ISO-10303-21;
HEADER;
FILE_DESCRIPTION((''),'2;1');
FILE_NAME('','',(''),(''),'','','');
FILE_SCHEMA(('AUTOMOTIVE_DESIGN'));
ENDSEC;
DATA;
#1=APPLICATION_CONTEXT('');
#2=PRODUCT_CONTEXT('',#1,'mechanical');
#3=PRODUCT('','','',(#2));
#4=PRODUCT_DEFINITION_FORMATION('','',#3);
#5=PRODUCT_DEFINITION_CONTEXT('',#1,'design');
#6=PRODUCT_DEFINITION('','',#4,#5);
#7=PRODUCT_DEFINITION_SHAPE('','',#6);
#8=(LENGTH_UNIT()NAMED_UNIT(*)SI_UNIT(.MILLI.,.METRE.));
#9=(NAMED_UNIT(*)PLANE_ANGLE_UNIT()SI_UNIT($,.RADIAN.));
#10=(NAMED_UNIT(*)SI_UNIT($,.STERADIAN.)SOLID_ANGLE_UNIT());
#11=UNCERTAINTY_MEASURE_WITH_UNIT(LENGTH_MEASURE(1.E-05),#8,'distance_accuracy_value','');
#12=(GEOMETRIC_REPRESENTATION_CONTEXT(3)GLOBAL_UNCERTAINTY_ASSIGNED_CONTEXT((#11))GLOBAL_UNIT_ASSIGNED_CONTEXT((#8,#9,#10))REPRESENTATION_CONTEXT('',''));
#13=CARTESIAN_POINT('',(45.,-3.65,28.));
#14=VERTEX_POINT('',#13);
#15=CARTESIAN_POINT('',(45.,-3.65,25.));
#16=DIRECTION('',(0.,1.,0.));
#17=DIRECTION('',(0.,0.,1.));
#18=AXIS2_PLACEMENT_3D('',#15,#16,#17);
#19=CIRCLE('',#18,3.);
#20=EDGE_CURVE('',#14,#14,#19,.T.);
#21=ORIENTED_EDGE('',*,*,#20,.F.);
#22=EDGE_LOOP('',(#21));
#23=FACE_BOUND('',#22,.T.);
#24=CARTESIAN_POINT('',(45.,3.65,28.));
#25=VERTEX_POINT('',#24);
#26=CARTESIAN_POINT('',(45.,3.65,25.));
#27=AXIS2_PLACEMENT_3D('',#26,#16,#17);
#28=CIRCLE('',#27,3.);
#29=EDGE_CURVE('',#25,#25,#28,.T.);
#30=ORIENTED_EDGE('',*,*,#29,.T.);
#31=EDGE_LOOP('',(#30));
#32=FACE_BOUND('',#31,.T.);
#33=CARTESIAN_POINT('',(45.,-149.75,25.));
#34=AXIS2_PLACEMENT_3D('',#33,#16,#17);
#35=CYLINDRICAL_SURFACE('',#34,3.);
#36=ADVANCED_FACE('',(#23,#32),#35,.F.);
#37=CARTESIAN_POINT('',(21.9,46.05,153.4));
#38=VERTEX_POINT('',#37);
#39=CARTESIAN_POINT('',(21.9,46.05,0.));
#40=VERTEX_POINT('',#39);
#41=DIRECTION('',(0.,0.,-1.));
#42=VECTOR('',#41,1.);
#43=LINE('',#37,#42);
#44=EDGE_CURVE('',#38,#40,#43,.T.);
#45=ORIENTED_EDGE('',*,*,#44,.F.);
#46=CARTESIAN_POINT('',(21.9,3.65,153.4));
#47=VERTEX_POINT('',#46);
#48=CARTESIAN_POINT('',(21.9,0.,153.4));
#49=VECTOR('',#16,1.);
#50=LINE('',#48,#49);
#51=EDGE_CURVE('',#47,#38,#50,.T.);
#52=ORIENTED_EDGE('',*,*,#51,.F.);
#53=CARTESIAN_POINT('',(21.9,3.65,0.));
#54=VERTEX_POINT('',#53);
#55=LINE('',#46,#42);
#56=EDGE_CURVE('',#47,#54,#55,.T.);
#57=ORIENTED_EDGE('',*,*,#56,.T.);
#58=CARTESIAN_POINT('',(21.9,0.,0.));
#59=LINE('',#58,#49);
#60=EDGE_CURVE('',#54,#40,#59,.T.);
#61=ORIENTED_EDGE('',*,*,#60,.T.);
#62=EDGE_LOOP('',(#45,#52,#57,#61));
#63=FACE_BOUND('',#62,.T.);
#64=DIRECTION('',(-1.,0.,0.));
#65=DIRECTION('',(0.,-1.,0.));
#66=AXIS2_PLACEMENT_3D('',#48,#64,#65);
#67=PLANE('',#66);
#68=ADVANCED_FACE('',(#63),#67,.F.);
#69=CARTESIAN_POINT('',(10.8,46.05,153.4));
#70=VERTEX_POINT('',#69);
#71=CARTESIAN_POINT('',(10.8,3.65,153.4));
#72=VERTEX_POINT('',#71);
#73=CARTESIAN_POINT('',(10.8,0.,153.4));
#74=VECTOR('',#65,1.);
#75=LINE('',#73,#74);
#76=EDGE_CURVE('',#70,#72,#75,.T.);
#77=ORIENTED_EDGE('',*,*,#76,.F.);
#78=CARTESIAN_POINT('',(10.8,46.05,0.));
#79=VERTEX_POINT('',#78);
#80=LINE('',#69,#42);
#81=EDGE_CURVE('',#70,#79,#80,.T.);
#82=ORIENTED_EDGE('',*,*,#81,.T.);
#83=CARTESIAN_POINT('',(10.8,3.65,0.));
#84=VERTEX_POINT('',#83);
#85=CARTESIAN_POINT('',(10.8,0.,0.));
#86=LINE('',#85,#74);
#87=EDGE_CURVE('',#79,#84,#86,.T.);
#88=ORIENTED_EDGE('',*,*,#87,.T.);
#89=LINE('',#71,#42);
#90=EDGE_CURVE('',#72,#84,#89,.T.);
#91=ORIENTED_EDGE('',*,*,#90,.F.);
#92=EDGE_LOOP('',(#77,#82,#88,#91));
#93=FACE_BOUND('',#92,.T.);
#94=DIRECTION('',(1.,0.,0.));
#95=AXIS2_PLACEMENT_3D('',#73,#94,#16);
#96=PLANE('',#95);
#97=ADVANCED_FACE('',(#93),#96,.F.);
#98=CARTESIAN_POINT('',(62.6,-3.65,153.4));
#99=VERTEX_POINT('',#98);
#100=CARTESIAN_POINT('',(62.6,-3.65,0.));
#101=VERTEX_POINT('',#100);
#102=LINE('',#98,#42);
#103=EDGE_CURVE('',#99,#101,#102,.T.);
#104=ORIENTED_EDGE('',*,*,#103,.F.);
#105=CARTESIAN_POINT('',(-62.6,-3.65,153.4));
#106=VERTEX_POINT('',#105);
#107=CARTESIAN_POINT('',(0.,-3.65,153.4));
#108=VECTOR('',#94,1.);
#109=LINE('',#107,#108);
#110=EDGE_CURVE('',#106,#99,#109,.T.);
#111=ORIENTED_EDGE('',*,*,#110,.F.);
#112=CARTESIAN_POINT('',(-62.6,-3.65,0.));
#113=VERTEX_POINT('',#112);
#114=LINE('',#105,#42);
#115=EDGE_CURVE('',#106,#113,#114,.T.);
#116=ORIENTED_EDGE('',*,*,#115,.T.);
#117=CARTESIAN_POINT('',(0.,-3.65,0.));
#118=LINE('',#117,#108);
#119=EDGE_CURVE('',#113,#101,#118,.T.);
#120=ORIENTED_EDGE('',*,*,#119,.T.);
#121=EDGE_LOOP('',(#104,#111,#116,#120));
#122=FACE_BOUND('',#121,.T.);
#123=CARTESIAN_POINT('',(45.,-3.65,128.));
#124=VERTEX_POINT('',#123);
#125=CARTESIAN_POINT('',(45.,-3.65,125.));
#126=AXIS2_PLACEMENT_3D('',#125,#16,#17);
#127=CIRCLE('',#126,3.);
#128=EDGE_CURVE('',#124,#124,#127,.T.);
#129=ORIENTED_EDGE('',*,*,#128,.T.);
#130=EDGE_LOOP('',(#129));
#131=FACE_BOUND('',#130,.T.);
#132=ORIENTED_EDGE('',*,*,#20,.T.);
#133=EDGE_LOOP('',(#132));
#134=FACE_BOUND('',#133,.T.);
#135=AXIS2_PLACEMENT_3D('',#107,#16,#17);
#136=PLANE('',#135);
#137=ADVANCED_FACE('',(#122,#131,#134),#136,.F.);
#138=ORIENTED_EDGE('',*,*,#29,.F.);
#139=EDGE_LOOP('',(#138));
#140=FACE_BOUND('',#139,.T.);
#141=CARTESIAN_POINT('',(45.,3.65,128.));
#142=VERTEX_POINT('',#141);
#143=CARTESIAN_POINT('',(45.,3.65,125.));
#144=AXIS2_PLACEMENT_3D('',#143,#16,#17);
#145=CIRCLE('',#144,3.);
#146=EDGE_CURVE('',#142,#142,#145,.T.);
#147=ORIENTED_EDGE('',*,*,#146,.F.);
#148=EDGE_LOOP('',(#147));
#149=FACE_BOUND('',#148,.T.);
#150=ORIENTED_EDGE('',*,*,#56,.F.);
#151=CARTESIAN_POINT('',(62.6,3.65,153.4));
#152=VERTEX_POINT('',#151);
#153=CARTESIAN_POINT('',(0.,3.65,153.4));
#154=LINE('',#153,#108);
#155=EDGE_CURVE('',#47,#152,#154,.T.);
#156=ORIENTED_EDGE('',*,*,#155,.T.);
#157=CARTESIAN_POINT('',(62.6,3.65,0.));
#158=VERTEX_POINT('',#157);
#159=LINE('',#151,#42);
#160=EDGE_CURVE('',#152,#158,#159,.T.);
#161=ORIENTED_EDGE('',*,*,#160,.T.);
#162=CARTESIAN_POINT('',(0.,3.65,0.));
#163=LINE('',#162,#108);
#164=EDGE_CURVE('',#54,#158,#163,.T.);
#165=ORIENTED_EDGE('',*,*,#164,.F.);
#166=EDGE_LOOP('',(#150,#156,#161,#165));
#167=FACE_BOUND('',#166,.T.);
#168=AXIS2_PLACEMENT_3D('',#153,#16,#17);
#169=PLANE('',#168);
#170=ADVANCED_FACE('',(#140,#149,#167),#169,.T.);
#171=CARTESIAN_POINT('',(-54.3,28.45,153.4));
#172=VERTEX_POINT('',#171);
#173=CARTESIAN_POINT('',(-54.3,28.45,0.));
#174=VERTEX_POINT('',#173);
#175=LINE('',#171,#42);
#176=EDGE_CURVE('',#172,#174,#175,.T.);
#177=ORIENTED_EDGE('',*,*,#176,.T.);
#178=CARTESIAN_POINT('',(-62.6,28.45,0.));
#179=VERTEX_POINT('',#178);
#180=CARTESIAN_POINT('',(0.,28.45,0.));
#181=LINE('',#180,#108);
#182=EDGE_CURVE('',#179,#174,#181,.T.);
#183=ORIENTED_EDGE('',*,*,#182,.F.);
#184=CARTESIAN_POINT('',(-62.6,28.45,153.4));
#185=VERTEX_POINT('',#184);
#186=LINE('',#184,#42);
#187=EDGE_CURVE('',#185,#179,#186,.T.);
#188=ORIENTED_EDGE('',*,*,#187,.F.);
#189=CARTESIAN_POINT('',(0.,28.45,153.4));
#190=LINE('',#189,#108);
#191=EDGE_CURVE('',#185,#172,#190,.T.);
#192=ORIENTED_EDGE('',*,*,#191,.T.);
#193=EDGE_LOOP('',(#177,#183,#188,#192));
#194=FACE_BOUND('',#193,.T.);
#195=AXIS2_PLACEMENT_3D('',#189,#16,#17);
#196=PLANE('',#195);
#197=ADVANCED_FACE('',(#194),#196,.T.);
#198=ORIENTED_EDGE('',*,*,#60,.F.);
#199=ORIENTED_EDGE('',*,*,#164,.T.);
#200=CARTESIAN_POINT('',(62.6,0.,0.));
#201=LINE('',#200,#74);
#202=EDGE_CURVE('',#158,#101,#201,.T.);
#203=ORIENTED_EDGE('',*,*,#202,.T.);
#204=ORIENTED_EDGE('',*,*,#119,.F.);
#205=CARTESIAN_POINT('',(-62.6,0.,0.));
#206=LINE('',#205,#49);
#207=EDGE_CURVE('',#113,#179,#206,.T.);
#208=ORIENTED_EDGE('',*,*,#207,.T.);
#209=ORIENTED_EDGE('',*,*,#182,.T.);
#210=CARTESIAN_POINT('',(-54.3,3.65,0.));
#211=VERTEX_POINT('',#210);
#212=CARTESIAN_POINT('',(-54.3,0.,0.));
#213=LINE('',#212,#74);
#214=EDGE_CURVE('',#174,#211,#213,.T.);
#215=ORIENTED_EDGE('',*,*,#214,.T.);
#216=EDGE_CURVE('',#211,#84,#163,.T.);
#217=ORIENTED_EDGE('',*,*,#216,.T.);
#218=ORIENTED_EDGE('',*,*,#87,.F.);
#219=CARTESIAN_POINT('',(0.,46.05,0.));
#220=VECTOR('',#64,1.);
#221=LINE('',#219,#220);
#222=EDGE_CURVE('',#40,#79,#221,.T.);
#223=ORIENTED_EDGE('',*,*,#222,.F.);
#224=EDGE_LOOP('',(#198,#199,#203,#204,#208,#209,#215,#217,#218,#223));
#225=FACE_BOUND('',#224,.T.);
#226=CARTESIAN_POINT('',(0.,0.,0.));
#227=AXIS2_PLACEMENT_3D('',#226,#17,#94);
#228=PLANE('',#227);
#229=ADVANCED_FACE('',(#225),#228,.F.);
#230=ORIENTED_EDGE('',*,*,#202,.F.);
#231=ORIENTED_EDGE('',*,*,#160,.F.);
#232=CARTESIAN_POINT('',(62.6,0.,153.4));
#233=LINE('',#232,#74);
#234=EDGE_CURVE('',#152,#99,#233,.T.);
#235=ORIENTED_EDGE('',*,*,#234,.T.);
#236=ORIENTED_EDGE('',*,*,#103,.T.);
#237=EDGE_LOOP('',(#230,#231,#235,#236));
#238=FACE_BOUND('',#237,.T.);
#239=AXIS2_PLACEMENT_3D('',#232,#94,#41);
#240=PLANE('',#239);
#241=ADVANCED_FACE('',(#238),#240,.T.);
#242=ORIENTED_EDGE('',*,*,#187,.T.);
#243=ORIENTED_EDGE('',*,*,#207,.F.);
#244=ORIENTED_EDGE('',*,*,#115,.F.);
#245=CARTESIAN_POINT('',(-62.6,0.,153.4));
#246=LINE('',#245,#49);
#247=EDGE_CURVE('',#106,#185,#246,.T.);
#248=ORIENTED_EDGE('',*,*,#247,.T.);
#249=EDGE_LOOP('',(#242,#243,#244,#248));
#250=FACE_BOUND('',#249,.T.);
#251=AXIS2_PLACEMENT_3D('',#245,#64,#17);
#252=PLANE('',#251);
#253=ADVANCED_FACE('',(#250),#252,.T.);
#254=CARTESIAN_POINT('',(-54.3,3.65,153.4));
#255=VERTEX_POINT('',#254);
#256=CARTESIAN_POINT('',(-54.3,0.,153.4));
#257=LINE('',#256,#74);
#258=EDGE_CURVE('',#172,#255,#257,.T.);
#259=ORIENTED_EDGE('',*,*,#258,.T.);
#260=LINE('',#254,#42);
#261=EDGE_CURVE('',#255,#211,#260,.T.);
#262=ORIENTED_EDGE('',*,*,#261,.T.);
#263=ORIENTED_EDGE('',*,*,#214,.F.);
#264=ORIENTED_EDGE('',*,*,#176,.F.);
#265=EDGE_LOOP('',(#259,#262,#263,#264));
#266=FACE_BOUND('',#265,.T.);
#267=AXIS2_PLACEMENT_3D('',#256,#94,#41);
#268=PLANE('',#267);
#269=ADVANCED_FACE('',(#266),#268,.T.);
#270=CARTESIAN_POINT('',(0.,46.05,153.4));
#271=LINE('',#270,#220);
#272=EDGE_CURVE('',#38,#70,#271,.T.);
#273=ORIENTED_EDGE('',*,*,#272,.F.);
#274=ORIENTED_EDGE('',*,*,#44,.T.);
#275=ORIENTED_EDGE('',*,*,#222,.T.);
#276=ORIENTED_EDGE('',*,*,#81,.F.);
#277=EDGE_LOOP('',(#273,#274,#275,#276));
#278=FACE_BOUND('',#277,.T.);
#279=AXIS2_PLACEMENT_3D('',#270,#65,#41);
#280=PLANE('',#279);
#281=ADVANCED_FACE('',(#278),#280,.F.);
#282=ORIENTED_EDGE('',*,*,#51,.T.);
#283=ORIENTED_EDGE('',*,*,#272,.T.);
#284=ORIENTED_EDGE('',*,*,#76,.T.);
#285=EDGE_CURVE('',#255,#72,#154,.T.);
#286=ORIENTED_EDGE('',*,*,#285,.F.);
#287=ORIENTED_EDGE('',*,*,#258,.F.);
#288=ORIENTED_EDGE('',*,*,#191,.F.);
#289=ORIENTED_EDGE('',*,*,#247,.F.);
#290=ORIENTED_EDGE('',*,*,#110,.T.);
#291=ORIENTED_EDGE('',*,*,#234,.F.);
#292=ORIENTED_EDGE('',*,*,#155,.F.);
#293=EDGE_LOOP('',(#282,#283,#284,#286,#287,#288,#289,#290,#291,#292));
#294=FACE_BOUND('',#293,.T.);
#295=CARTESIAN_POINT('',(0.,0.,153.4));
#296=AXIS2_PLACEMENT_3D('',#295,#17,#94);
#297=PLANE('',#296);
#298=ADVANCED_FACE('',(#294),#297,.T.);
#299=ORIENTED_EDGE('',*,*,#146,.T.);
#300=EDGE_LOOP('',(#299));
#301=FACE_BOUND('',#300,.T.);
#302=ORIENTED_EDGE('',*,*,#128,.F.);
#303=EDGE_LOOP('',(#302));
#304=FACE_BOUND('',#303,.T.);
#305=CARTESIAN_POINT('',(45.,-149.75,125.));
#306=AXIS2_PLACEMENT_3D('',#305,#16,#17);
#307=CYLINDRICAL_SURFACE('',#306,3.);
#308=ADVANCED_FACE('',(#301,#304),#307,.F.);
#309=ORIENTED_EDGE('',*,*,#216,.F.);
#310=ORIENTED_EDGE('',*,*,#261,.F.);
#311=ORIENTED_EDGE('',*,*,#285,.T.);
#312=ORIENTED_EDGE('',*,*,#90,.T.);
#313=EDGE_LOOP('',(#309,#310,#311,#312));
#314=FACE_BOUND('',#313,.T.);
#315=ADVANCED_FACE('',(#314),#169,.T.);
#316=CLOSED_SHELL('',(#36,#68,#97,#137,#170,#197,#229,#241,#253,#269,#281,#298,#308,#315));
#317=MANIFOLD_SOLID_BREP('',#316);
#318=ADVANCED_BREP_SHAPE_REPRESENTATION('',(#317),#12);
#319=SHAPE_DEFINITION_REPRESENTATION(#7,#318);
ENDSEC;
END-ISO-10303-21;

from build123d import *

# Parameters (mm, degrees)
SKETCH1_W           = 8.3
SKETCH1_H           = 24.8
SKETCH1_W_2         = 125.2
SKETCH1_H_2         = 7.3
SKETCH1_W_3         = 11.1
SKETCH1_H_3         = 42.4
BOSS_EXTRUDE1_DEPTH = 153.4
SKETCH2_R           = 3
CUT_EXTRUDE1_DEPTH  = 153.4
LPATTERN1_COUNT     = 2
LPATTERN1_PITCH     = 100


with BuildPart() as part:
    # Sketch1 → Boss-Extrude1 (new body)
    with BuildSketch(Plane.XY):
        with Locations((-58.45, 16.05)):
            Rectangle(SKETCH1_W, SKETCH1_H)
        Rectangle(SKETCH1_W_2, SKETCH1_H_2)
        with Locations((16.35, 24.85)):
            Rectangle(SKETCH1_W_3, SKETCH1_H_3)
    extrude(amount=BOSS_EXTRUDE1_DEPTH)

    # Sketch2 → Cut-Extrude1 (cut)
    with BuildSketch(Plane(origin=(0, 3.65, 0), x_dir=(1, 0, 0), z_dir=(0, 1, 0))):
        with Locations(Location((45, -25, 0), (0, 0, 270))):
            Circle(SKETCH2_R)
    cut_extrude1 = extrude(amount=-CUT_EXTRUDE1_DEPTH, mode=Mode.SUBTRACT)

    # LPattern1: Cut-Extrude1 ×2
    with Locations(*[(0, 0, i * LPATTERN1_PITCH) for i in range(1, LPATTERN1_COUNT)]):
        add(cut_extrude1, mode=Mode.SUBTRACT)


solid = part.part
